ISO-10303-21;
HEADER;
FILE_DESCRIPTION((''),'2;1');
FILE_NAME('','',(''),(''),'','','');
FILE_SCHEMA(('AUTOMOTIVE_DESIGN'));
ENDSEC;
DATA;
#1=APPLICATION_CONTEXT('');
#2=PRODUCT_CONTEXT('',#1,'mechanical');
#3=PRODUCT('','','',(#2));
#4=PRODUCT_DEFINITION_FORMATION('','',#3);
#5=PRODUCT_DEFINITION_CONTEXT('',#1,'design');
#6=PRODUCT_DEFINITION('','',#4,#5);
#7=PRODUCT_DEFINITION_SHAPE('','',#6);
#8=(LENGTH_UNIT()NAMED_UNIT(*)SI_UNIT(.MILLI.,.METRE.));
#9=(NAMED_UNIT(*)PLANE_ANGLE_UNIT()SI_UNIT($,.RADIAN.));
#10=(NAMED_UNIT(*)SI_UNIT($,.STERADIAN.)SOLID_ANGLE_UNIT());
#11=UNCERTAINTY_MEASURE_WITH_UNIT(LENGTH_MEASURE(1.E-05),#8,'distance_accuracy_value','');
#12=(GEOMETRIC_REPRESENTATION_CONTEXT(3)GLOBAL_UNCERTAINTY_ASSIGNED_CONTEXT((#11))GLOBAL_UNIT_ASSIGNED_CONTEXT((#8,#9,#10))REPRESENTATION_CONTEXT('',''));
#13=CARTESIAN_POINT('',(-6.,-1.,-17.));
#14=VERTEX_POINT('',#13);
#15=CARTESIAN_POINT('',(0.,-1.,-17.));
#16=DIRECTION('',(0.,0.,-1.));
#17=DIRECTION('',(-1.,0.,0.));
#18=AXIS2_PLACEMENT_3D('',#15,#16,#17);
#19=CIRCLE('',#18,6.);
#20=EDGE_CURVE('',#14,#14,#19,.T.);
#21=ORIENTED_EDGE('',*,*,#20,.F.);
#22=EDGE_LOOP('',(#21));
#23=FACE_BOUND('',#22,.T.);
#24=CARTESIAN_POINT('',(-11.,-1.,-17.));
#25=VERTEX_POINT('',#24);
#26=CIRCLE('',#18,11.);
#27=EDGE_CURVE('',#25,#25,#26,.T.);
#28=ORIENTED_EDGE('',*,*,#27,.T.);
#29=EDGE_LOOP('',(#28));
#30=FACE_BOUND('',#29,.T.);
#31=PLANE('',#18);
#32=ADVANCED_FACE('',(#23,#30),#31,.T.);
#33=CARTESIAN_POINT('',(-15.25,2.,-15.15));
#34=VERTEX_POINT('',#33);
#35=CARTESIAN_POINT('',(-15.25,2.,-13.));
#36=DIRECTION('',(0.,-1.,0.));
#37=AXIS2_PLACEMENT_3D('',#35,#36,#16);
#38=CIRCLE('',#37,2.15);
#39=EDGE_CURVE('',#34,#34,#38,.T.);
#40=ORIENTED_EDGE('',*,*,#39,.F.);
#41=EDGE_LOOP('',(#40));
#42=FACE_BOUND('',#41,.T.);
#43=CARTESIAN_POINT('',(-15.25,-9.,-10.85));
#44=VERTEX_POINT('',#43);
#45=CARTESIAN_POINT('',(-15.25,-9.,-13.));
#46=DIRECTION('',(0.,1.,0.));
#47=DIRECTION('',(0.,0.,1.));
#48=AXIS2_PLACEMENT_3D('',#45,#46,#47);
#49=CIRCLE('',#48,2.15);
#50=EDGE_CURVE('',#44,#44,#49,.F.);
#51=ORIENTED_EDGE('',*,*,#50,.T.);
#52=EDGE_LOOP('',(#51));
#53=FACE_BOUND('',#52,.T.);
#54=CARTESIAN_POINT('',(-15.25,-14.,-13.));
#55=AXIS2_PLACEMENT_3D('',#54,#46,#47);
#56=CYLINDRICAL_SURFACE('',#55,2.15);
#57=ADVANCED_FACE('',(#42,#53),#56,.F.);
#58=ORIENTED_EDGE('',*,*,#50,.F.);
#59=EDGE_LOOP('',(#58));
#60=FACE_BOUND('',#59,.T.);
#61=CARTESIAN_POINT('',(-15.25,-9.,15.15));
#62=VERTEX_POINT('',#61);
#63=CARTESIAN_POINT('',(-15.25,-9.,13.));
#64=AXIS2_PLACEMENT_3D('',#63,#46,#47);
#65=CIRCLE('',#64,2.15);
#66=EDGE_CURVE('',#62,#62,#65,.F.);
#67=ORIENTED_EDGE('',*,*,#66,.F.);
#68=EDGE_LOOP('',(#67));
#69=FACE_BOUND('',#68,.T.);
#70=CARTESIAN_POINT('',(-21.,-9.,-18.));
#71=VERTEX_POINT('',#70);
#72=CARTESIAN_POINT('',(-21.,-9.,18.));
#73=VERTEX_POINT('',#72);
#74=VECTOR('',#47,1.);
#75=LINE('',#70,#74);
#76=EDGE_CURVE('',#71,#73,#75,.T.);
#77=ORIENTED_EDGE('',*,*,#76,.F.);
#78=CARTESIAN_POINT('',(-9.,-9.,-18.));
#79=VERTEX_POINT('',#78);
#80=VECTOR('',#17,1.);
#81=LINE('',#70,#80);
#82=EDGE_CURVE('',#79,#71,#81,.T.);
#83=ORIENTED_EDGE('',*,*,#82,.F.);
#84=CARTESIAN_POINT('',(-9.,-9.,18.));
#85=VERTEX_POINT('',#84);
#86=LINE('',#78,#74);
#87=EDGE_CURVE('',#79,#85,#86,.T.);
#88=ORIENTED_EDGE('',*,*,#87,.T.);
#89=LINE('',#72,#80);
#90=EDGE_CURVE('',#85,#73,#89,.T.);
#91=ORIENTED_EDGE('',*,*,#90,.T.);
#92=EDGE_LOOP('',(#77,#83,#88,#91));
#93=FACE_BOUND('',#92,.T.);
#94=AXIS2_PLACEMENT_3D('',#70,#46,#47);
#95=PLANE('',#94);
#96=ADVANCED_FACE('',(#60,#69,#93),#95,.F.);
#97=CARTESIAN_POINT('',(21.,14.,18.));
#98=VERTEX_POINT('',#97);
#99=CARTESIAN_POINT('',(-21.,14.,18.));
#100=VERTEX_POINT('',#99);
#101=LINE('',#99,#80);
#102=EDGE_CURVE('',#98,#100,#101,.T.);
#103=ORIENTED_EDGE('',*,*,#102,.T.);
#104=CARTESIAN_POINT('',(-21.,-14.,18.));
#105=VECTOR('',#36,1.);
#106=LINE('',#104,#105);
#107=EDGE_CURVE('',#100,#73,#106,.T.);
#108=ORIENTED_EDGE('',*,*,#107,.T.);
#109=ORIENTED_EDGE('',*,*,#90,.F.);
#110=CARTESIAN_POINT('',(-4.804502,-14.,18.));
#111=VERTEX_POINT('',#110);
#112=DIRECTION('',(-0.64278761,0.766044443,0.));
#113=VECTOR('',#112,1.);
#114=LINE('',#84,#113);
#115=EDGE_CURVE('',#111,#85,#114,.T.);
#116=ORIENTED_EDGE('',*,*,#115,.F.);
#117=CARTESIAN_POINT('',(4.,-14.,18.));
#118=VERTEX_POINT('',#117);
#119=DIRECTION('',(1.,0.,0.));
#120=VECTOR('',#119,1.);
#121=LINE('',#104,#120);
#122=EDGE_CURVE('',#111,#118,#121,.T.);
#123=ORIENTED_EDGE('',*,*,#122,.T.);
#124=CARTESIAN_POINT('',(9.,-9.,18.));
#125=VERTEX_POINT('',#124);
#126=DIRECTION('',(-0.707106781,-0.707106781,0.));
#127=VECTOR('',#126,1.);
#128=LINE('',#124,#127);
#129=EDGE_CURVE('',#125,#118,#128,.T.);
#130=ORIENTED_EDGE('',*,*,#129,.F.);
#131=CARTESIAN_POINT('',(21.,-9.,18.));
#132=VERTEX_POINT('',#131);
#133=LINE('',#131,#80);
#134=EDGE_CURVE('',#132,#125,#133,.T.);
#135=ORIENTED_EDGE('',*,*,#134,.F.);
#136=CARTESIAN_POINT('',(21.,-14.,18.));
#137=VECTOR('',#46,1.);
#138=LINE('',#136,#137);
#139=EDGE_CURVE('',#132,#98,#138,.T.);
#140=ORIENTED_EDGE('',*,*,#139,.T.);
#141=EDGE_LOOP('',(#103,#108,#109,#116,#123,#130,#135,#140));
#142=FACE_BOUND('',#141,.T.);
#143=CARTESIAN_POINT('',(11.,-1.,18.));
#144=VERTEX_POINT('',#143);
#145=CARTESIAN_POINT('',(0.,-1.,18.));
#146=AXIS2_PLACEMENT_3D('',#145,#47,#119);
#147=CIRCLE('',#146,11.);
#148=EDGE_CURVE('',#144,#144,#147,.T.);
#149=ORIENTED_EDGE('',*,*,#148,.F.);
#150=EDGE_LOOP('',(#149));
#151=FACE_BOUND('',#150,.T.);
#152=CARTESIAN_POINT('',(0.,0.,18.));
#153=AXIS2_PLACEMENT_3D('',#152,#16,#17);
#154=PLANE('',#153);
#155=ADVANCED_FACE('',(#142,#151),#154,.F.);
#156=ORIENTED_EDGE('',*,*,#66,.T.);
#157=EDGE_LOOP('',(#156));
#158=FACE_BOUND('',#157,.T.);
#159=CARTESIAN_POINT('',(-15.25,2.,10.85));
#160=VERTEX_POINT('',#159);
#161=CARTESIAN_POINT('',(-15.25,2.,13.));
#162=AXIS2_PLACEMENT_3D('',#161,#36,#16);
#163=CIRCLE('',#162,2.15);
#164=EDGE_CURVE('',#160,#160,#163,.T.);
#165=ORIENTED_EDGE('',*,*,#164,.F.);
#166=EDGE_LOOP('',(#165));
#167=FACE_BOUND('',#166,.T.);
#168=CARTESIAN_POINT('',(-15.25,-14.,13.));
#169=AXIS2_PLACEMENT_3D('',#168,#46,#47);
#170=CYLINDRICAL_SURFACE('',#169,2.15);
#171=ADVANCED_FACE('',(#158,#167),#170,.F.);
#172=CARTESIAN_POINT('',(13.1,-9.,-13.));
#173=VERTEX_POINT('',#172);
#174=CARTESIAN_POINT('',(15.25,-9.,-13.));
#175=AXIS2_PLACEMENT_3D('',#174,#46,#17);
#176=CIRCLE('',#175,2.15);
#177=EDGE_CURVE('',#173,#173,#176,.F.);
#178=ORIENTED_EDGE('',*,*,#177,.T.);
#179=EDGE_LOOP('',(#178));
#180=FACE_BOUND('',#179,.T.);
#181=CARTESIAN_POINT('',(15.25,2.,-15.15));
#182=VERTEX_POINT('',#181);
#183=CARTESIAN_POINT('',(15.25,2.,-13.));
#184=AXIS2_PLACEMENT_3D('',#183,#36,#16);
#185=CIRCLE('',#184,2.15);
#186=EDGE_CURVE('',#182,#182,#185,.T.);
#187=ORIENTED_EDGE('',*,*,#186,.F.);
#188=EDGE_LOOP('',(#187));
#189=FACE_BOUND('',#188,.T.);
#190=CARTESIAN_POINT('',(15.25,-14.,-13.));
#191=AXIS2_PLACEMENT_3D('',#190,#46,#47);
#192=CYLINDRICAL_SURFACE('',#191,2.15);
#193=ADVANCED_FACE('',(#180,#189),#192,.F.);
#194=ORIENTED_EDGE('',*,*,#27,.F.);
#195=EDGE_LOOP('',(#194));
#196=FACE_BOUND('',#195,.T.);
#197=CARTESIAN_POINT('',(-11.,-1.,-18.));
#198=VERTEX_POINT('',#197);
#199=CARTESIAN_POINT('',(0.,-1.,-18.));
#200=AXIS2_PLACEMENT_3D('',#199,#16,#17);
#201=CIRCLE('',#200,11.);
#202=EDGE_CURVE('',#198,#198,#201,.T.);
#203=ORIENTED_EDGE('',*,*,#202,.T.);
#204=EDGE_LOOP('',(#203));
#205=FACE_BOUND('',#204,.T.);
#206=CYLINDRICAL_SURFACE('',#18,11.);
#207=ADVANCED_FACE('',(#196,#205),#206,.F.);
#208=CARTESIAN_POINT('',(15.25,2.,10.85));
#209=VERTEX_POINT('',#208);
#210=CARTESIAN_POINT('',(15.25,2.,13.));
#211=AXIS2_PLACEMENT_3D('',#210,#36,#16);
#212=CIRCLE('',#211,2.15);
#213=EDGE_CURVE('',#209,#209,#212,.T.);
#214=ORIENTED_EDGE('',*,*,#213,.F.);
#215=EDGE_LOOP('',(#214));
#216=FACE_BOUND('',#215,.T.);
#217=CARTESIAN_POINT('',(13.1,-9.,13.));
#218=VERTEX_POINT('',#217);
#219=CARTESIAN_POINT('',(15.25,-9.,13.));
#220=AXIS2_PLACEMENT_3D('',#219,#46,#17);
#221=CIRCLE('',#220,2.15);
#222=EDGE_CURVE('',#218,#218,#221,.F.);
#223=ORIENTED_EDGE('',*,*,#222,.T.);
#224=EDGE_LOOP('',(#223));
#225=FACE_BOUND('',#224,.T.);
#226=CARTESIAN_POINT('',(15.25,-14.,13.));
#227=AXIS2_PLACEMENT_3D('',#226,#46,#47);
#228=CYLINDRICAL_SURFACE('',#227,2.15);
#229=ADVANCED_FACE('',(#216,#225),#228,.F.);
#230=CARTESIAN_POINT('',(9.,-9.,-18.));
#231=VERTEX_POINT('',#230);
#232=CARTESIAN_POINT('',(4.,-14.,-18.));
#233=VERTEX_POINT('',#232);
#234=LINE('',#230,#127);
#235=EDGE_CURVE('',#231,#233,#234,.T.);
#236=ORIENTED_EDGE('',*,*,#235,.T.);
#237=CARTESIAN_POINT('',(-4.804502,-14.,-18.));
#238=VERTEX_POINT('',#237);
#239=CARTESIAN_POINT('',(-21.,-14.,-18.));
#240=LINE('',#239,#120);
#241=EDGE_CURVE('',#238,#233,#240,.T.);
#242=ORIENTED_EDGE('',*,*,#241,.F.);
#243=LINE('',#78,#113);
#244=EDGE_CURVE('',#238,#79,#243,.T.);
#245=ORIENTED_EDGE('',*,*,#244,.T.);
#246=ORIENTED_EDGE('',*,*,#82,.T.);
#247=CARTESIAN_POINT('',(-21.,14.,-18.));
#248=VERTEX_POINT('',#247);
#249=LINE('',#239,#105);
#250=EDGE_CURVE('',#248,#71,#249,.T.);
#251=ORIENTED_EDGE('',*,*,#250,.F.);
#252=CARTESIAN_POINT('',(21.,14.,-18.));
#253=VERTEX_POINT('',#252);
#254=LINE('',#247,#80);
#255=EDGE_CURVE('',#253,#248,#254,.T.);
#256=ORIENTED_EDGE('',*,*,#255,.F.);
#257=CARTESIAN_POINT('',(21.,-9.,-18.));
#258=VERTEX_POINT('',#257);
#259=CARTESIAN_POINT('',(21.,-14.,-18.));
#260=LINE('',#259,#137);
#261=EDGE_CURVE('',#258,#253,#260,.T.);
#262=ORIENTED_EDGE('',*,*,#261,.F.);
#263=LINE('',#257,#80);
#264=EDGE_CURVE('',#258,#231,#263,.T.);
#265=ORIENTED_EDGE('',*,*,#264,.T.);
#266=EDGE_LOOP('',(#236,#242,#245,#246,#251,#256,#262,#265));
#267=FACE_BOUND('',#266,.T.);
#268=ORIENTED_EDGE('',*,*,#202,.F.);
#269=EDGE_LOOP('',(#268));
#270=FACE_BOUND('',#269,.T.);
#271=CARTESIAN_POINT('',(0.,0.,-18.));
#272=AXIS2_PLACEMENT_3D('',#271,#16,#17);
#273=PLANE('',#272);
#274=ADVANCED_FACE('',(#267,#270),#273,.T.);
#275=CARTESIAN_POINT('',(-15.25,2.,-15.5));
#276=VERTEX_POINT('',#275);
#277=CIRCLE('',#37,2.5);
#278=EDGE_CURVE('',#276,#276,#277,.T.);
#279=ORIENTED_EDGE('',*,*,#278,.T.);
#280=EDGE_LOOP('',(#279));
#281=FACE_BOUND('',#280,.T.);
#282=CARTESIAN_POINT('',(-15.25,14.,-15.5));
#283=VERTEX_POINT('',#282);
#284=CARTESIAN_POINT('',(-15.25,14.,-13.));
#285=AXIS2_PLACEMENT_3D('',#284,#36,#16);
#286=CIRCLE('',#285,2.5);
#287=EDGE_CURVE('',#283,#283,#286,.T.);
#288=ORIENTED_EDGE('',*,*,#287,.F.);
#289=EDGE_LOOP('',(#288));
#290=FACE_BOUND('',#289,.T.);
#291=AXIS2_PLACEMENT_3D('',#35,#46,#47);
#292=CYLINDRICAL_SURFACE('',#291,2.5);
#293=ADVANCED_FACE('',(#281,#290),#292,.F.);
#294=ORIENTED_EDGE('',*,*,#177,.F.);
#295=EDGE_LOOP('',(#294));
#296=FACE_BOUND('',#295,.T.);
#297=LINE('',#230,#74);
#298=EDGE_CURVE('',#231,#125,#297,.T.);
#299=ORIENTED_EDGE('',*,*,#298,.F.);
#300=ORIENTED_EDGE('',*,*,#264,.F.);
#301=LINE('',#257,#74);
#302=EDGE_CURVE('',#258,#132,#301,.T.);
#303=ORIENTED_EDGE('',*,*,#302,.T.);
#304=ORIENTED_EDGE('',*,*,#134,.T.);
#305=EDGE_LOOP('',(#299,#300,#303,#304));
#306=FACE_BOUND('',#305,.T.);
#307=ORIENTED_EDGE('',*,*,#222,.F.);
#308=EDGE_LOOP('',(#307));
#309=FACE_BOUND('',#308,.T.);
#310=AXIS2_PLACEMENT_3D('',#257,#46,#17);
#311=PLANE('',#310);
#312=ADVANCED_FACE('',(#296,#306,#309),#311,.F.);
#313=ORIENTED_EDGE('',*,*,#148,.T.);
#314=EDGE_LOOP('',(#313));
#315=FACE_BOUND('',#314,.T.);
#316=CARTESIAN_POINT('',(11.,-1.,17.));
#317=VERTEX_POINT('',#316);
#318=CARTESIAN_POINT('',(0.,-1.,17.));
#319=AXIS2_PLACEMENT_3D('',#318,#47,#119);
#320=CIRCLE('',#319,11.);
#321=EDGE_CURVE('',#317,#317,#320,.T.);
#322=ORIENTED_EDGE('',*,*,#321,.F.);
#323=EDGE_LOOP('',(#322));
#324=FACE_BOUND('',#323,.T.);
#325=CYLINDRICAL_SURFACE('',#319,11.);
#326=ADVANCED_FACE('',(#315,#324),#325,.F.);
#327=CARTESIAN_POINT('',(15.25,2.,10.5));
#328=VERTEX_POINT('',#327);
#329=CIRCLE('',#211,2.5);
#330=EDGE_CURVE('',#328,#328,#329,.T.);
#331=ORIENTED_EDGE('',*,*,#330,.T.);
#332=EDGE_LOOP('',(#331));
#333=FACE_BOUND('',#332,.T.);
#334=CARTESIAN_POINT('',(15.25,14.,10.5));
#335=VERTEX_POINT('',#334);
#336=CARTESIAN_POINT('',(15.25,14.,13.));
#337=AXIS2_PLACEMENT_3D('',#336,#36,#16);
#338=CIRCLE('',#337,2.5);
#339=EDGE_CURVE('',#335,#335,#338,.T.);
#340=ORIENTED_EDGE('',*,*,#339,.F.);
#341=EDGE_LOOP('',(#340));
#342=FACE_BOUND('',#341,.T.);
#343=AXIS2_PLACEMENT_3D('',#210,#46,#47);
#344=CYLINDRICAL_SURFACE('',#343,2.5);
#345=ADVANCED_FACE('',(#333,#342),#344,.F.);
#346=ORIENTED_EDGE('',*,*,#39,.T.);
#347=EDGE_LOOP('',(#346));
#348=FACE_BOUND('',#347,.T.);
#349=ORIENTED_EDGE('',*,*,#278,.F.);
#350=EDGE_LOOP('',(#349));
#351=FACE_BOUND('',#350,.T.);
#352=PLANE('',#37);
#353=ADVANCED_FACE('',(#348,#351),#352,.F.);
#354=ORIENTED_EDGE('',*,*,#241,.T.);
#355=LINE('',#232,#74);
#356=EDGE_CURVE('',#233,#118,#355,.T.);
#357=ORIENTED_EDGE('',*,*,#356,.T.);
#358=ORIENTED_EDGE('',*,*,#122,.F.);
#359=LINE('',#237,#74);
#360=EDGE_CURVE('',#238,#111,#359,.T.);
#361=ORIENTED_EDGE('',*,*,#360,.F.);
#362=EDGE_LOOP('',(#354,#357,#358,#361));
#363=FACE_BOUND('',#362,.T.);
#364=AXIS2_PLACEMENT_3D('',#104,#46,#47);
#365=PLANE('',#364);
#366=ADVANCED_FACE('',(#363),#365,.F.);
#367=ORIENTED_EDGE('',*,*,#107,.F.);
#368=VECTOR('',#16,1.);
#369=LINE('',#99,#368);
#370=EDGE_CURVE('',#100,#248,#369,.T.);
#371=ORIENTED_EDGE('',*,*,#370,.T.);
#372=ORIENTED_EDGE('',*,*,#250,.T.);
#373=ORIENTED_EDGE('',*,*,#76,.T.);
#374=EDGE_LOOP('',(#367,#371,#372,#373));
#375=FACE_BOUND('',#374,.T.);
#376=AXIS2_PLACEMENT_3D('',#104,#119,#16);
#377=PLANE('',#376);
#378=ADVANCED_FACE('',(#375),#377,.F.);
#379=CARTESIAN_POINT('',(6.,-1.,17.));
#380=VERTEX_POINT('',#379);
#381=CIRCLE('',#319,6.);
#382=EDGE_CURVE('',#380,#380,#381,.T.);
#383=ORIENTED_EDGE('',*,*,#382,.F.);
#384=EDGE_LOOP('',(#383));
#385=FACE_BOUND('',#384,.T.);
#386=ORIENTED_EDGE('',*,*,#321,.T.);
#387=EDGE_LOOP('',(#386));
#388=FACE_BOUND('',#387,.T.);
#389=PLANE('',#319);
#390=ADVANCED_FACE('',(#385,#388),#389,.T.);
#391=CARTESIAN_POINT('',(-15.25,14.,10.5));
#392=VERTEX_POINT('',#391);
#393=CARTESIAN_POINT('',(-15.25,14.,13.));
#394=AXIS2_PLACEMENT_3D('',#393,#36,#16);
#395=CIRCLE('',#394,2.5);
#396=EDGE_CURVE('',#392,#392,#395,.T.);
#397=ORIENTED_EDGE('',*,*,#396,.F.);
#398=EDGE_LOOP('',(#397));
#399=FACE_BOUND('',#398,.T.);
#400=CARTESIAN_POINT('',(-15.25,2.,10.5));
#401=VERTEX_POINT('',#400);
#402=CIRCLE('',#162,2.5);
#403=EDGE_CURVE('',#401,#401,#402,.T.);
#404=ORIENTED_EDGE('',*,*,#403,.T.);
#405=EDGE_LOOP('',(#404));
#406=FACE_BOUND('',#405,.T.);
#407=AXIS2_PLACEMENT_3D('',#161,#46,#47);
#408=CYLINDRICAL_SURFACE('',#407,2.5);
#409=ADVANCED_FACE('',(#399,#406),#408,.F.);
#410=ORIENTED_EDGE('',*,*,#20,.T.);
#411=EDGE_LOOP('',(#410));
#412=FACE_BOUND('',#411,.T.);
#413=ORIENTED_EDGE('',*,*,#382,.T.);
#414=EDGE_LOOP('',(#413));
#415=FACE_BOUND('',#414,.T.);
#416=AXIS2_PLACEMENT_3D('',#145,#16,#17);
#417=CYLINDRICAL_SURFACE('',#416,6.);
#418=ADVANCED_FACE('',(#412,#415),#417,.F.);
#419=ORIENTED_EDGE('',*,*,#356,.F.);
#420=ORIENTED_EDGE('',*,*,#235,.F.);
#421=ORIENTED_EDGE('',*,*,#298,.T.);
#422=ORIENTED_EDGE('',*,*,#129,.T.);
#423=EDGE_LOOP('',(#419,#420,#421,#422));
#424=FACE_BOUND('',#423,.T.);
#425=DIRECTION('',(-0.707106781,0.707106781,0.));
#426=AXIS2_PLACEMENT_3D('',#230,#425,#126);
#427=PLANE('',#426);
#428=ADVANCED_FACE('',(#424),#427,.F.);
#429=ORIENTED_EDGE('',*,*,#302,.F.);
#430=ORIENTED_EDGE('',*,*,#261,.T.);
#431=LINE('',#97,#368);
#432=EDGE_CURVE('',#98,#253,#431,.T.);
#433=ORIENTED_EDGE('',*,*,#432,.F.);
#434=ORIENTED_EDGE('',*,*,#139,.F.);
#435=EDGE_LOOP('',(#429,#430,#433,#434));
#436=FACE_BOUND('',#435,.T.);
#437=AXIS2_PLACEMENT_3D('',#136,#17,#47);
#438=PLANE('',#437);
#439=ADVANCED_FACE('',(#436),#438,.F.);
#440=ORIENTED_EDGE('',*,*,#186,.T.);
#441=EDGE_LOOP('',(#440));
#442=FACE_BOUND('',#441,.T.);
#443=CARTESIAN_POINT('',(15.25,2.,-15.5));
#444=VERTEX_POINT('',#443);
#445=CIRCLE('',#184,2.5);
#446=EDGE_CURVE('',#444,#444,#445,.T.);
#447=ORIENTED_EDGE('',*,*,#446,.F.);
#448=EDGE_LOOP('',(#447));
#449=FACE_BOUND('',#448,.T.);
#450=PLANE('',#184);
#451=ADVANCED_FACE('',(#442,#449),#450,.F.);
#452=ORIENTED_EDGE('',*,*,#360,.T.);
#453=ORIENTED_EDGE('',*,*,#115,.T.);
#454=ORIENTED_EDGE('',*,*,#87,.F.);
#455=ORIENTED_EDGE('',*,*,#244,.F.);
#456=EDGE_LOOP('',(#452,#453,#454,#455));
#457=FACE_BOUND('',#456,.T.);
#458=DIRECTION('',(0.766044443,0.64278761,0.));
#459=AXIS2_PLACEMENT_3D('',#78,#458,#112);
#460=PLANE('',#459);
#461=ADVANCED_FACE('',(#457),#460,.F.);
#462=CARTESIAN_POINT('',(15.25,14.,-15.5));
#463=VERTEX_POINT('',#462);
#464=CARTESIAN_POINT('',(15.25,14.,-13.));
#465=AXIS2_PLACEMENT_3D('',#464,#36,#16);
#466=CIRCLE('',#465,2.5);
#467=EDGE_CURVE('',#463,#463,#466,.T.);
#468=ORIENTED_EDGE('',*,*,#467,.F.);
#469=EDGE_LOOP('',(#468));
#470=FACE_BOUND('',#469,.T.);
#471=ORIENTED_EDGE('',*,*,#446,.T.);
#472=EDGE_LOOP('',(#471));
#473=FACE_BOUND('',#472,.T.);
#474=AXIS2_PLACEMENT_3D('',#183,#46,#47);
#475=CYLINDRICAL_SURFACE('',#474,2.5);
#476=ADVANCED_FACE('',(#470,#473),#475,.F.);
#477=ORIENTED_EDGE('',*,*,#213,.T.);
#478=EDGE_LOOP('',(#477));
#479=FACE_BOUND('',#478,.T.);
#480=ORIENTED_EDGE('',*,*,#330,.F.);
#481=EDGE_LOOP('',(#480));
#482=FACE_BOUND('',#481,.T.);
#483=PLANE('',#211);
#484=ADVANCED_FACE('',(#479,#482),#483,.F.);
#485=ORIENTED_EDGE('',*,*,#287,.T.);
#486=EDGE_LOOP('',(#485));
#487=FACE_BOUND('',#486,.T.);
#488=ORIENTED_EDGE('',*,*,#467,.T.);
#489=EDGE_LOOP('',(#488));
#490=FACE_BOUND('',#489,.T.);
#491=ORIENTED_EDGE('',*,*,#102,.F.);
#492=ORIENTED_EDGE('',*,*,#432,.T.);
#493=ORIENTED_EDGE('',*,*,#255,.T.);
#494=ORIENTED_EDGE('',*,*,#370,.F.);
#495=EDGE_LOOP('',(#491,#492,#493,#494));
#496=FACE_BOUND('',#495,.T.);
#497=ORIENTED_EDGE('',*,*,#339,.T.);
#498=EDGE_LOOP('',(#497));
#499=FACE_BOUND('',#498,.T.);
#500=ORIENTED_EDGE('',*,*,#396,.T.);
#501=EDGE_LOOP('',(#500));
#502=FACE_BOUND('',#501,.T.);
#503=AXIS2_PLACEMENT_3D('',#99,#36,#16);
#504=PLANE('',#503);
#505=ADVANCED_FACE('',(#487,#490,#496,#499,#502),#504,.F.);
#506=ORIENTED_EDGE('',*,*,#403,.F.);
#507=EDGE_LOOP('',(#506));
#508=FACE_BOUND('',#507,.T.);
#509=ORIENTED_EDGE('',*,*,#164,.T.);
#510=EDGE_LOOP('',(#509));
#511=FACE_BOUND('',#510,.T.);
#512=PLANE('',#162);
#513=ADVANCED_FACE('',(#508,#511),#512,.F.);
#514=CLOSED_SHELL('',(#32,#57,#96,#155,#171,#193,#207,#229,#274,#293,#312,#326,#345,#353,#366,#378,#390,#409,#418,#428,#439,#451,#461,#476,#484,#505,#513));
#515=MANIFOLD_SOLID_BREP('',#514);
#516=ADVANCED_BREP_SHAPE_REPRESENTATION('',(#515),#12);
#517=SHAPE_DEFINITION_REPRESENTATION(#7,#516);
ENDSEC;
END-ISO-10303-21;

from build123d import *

# Parameters (mm, degrees)
SKETCH1_W           = 42
SKETCH1_H           = 28
SKETCH1_R           = 6
BOSS_EXTRUDE1_DEPTH = 18
CUT_EXTRUDE5_DEPTH  = 37
SKETCH2_R           = 2.15
CUT_EXTRUDE1_DEPTH  = 29
SKETCH3_R           = 2.5
CUT_EXTRUDE2_DEPTH  = 12
SKETCH4_R           = 11
CUT_EXTRUDE3_DEPTH  = 1
SKETCH5_R           = 11
CUT_EXTRUDE4_DEPTH  = 1


with BuildPart() as part:
    # Sketch1 → Boss-Extrude1 (new body, symmetric)
    with BuildSketch(Plane.XY):
        Rectangle(SKETCH1_W, SKETCH1_H)
        with Locations((0, -1)):
            Circle(SKETCH1_R, mode=Mode.SUBTRACT)
    extrude(amount=BOSS_EXTRUDE1_DEPTH, both=True)

    # Sketch6 → Cut-Extrude5 (cut, through all)
    with BuildSketch(Plane.XY.offset(18)):
        Polygon((-21, -9), (-9, -9), (-4.804501844, -14), (-21, -14), align=None)
        Polygon((21, -9), (9, -9), (4, -14), (21, -14), align=None)
    extrude(amount=-CUT_EXTRUDE5_DEPTH, mode=Mode.SUBTRACT)

    # Sketch2 → Cut-Extrude1 (cut, through all)
    with BuildSketch(Plane(origin=(0, 14, 0), x_dir=(-1, 0, 0), z_dir=(0, -1, 0))):
        with Locations((15.25, -13)):
            Circle(SKETCH2_R)
        with Locations((-15.25, -13)):
            Circle(SKETCH2_R)
        with Locations((-15.25, 13)):
            Circle(SKETCH2_R)
        with Locations((15.25, 13)):
            Circle(SKETCH2_R)
    extrude(amount=CUT_EXTRUDE1_DEPTH, mode=Mode.SUBTRACT)

    # Sketch3 → Cut-Extrude2 (cut)
    with BuildSketch(Plane.XZ.offset(-14)):
        with Locations((-15.25, 13)):
            Circle(SKETCH3_R)
        with Locations((15.25, 13)):
            Circle(SKETCH3_R)
        with Locations((15.25, -13)):
            Circle(SKETCH3_R)
        with Locations((-15.25, -13)):
            Circle(SKETCH3_R)
    extrude(amount=CUT_EXTRUDE2_DEPTH, mode=Mode.SUBTRACT)

    # Sketch4 → Cut-Extrude3 (cut)
    with BuildSketch(Plane.XY.offset(18)):
        with Locations((0, -1)):
            Circle(SKETCH4_R)
    extrude(amount=-CUT_EXTRUDE3_DEPTH, mode=Mode.SUBTRACT)

    # Sketch5 → Cut-Extrude4 (cut)
    with BuildSketch(Plane(origin=(0, 0, -18), x_dir=(-1, 0, 0), z_dir=(0, 0, -1))):
        with Locations((0, -1)):
            Circle(SKETCH5_R)
    extrude(amount=-CUT_EXTRUDE4_DEPTH, mode=Mode.SUBTRACT)


solid = part.part
